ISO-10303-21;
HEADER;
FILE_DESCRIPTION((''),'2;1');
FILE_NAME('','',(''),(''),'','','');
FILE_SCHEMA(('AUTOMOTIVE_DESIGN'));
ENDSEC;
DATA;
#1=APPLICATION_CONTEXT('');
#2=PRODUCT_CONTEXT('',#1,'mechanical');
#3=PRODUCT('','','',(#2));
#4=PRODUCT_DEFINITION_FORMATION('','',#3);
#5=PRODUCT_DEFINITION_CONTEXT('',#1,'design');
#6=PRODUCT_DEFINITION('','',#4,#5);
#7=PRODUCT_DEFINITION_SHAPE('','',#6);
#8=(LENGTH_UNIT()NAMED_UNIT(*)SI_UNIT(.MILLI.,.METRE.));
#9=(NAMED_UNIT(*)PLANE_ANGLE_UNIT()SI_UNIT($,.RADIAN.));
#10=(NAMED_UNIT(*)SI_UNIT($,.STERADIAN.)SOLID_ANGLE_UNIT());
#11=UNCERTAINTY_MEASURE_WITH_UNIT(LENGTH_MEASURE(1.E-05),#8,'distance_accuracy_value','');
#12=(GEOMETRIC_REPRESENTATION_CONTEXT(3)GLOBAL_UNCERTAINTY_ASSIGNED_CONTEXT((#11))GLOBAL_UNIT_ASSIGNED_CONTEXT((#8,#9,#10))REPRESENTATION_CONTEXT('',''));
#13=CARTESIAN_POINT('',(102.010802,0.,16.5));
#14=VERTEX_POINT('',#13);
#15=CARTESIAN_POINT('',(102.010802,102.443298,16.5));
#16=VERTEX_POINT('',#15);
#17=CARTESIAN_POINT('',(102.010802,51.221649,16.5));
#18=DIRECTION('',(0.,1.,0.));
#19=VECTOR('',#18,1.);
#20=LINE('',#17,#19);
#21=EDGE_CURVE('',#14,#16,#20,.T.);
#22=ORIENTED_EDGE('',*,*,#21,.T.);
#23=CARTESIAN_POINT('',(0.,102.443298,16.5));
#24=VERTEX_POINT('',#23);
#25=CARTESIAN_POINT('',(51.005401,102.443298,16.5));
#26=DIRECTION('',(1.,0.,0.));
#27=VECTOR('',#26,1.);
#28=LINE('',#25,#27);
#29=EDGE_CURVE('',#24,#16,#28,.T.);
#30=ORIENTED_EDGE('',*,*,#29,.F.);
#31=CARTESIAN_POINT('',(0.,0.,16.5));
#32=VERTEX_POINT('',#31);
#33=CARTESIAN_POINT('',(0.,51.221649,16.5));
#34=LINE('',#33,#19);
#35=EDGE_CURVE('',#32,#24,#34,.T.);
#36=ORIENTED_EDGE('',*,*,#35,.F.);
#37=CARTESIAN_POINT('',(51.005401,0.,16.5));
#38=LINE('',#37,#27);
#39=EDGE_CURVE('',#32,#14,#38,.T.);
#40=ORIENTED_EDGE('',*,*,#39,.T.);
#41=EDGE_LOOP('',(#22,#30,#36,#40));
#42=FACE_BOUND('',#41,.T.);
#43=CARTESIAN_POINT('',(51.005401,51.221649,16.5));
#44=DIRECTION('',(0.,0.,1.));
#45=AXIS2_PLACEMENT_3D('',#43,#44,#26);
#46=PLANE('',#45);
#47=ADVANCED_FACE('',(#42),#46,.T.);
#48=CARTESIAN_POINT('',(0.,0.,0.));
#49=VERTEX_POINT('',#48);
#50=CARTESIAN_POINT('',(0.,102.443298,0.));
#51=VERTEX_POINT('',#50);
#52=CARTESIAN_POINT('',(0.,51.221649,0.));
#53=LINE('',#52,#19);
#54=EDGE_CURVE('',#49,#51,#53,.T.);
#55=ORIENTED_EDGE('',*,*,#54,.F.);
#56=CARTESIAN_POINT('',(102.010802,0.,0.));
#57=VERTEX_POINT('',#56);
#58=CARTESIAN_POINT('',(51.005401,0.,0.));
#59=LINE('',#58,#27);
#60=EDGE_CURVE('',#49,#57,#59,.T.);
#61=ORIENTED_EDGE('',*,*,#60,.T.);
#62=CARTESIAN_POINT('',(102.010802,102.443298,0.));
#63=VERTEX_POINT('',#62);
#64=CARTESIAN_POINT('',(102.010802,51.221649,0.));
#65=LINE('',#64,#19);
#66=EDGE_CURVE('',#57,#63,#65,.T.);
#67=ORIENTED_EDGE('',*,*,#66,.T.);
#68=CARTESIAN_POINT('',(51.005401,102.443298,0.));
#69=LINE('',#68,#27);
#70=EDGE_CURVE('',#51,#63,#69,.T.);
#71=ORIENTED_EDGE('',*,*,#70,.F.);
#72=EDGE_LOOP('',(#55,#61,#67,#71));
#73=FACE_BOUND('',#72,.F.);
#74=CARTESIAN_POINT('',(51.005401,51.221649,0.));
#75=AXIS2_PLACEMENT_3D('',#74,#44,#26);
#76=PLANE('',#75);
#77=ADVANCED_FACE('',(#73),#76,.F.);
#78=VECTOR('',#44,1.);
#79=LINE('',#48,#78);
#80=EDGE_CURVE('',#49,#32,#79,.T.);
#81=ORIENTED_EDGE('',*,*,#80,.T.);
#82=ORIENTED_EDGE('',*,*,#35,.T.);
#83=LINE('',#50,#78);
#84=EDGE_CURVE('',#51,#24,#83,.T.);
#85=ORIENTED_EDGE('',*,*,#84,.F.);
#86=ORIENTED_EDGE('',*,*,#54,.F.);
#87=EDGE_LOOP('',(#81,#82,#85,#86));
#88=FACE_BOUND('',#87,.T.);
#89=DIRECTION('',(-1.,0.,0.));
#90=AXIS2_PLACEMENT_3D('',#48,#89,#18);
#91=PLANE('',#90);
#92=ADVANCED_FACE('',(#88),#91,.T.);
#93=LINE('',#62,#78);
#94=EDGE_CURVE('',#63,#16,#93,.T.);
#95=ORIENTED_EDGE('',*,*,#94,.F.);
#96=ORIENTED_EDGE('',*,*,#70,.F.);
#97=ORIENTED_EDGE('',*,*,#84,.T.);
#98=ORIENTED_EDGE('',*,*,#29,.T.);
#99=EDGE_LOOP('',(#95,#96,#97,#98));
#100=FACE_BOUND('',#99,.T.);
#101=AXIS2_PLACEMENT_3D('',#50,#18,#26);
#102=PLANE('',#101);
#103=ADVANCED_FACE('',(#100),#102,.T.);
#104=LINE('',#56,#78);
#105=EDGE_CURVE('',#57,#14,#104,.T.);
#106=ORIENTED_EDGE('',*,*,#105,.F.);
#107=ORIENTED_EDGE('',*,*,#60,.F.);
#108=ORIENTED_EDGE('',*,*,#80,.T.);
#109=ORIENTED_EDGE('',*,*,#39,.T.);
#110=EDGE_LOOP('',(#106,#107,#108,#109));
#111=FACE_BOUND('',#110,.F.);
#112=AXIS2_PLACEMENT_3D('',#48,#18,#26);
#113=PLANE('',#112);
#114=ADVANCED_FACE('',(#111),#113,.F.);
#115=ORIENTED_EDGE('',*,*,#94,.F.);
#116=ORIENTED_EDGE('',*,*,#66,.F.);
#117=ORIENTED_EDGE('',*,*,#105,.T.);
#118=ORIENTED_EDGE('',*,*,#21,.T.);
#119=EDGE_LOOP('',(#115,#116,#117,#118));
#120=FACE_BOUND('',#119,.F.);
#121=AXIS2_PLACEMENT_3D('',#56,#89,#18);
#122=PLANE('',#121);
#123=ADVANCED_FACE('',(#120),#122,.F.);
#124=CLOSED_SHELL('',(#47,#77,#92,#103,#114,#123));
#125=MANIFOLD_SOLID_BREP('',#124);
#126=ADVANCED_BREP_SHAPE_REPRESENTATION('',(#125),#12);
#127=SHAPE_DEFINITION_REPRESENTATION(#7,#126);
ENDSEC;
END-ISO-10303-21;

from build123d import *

# Parameters (mm, degrees)
SKETCH_W  = 102.010803
SKETCH_H  = 102.443298
PAD_DEPTH = 16.5


with BuildPart() as part:
    # Sketch → Pad (new body)
    with BuildSketch(Plane.XY):
        with Locations((51.005401, 51.221649)):
            Rectangle(SKETCH_W, SKETCH_H)
    extrude(amount=PAD_DEPTH)


solid = part.part
